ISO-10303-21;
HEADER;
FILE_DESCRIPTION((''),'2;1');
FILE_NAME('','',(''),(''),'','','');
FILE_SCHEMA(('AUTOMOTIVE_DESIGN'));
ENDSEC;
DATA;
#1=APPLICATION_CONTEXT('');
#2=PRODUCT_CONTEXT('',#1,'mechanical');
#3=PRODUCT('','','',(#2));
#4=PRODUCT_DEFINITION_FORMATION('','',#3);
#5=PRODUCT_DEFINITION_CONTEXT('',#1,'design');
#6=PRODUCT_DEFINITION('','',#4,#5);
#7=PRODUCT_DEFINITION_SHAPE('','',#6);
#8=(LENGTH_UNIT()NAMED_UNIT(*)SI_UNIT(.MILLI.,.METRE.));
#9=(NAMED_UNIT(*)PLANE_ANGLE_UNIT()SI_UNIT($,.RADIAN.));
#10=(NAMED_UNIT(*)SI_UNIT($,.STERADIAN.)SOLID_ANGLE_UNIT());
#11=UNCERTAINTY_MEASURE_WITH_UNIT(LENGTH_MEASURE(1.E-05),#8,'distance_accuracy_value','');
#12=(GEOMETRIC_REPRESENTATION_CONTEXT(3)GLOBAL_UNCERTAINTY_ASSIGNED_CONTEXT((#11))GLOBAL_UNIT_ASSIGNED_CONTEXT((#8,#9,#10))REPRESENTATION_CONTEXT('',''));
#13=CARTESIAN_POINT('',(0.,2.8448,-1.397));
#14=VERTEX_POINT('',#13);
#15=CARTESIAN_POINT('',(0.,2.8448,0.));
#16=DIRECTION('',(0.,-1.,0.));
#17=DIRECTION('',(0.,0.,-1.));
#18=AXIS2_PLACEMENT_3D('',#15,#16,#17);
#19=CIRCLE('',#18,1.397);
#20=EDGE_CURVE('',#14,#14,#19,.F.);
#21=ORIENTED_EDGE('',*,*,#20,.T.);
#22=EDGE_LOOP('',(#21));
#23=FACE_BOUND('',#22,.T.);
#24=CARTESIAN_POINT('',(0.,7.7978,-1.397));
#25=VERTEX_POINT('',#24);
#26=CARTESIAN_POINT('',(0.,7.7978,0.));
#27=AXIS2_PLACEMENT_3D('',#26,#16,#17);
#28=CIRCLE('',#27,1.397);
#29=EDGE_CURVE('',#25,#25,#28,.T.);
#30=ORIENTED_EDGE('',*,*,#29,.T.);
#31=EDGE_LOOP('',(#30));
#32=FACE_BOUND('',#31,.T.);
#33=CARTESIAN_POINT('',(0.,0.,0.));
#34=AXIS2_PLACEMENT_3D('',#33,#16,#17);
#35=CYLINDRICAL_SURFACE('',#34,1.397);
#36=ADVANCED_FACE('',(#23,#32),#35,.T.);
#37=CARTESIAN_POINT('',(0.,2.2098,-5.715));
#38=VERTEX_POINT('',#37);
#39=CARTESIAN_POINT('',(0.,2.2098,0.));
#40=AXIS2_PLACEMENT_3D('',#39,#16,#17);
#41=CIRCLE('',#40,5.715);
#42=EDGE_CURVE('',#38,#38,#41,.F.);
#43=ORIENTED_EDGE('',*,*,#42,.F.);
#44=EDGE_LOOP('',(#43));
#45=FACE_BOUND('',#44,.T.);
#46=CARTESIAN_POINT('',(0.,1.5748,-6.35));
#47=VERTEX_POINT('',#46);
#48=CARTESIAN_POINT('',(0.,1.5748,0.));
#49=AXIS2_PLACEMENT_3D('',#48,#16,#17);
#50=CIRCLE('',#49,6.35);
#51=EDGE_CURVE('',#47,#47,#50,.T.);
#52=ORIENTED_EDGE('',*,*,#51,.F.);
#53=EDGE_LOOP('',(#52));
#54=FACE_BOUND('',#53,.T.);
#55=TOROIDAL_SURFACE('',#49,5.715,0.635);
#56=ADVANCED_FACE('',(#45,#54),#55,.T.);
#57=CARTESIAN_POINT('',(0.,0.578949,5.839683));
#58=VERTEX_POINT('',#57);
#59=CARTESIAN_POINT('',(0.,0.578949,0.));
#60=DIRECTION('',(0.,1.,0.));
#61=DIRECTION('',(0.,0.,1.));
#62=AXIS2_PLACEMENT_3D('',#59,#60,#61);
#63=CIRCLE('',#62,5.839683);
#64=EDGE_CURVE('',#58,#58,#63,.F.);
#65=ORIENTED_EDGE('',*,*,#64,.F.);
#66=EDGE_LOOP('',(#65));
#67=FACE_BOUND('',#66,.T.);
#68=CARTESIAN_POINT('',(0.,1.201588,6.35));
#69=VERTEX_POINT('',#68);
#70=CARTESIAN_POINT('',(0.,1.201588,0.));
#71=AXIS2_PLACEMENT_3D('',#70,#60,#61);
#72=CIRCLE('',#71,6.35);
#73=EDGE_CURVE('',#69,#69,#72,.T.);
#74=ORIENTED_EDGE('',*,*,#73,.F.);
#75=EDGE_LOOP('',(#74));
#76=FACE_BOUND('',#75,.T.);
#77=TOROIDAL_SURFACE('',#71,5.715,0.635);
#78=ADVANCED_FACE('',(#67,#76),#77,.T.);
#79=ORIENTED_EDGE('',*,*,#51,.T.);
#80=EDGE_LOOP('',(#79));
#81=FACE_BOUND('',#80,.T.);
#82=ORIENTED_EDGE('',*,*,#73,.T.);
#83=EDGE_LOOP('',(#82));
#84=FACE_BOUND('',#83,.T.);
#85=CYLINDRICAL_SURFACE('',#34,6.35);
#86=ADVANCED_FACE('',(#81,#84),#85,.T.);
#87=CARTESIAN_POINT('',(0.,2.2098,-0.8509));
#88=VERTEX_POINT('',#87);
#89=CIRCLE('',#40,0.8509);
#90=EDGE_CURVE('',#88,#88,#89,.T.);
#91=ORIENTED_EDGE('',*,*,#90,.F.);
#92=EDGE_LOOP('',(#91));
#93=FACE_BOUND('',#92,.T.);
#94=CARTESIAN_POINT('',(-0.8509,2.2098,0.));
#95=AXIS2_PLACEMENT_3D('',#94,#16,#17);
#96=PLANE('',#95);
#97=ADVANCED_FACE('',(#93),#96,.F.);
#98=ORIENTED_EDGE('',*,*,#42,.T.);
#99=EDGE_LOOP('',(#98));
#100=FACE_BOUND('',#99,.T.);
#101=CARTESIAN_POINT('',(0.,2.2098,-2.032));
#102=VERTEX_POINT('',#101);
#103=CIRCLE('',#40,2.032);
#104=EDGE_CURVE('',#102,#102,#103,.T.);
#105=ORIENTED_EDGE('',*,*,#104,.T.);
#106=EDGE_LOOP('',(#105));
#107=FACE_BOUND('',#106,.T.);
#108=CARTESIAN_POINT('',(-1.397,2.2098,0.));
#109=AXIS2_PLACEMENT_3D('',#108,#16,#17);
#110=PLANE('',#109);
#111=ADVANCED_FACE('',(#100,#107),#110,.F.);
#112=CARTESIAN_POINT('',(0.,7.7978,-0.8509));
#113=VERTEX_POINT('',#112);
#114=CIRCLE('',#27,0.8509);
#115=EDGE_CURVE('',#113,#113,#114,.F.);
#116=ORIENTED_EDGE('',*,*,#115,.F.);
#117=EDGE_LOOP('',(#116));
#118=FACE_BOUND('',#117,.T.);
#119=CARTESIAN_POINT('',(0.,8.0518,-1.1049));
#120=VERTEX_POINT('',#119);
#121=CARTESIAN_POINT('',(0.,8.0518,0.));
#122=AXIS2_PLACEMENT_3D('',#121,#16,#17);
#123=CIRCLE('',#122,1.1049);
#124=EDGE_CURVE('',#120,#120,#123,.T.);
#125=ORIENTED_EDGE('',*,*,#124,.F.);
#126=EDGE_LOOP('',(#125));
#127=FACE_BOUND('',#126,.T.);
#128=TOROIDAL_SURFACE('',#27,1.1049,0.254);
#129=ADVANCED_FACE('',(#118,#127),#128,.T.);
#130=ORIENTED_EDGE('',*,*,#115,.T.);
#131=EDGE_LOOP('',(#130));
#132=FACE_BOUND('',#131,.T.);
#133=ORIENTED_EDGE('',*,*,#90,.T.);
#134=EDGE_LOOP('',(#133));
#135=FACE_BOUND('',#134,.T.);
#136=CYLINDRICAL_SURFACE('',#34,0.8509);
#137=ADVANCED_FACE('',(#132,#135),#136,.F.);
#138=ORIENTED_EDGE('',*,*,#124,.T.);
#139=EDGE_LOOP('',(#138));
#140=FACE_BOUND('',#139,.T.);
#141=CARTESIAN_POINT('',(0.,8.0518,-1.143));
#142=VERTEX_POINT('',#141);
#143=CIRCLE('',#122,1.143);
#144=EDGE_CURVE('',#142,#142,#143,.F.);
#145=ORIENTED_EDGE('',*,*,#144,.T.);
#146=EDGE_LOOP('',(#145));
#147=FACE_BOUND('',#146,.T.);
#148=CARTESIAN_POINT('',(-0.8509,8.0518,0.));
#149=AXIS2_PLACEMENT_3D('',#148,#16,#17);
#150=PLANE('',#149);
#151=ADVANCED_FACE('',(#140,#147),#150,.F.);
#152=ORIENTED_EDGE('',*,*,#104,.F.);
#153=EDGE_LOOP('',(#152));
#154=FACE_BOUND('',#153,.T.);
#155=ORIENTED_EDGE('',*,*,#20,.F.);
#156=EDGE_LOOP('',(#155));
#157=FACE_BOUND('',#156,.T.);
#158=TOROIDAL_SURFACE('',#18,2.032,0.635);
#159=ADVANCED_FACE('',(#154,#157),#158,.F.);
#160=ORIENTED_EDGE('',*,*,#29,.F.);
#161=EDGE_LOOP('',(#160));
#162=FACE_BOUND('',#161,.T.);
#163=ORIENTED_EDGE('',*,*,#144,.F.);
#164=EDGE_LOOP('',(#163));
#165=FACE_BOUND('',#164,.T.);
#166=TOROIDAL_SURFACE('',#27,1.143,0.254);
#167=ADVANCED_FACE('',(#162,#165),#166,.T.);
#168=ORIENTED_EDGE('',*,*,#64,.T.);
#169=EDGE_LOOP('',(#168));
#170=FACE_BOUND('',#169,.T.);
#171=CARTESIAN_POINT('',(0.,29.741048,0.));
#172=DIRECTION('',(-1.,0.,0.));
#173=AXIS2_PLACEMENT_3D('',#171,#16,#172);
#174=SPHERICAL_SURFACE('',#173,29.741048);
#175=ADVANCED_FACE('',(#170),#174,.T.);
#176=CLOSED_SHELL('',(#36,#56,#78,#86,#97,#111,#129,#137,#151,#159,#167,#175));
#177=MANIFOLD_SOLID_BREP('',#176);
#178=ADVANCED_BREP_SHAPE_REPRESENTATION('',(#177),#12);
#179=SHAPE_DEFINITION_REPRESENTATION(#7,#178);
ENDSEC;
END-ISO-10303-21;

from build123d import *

# Parameters (mm, degrees)
FILLET1_R = 0.635
FILLET2_R = 0.254


with BuildPart() as part:
    # Sketch1 → Revolve1 (revolve)
    with BuildSketch(Plane.XY, mode=Mode.PRIVATE) as revolve1_sk:
        with BuildLine():
            Line((-0.8509, 8.0518), (-0.8509, 2.2098))
            Line((-0.8509, 2.2098), (0, 2.2098))
            Line((0, 2.2098), (0, 0))
            ThreePointArc((0, 0), (-3.193462918, 0.171947054), (-6.35, 0.6858))
            Line((-6.35, 0.6858), (-6.35, 2.2098))
            Line((-6.35, 2.2098), (-1.397, 2.2098))
            Line((-1.397, 2.2098), (-1.397, 8.0518))
            Line((-1.397, 8.0518), (-0.8509, 8.0518))
        make_face()
    revolve(revolve1_sk.sketch.rotate(Axis((0, 0, 0), (0, 1, 0)), 270), axis=Axis((0, 0, 0), (0, 1, 0)))

    # Fillet1
    fillet1_edges = [part.edges().sort_by_distance(p)[0] for p in [
        (0, 2.2098, 1.397),
        (0, 2.2098, 6.35),
        (0, 0.6858, 6.35),
    ]]
    fillet(fillet1_edges, radius=FILLET1_R)

    # Fillet2
    fillet2_edges = [part.edges().sort_by_distance(p)[0] for p in [
        (0, 8.0518, 1.397),
        (0, 8.0518, 0.8509),
    ]]
    fillet(fillet2_edges, radius=FILLET2_R)


solid = part.part
